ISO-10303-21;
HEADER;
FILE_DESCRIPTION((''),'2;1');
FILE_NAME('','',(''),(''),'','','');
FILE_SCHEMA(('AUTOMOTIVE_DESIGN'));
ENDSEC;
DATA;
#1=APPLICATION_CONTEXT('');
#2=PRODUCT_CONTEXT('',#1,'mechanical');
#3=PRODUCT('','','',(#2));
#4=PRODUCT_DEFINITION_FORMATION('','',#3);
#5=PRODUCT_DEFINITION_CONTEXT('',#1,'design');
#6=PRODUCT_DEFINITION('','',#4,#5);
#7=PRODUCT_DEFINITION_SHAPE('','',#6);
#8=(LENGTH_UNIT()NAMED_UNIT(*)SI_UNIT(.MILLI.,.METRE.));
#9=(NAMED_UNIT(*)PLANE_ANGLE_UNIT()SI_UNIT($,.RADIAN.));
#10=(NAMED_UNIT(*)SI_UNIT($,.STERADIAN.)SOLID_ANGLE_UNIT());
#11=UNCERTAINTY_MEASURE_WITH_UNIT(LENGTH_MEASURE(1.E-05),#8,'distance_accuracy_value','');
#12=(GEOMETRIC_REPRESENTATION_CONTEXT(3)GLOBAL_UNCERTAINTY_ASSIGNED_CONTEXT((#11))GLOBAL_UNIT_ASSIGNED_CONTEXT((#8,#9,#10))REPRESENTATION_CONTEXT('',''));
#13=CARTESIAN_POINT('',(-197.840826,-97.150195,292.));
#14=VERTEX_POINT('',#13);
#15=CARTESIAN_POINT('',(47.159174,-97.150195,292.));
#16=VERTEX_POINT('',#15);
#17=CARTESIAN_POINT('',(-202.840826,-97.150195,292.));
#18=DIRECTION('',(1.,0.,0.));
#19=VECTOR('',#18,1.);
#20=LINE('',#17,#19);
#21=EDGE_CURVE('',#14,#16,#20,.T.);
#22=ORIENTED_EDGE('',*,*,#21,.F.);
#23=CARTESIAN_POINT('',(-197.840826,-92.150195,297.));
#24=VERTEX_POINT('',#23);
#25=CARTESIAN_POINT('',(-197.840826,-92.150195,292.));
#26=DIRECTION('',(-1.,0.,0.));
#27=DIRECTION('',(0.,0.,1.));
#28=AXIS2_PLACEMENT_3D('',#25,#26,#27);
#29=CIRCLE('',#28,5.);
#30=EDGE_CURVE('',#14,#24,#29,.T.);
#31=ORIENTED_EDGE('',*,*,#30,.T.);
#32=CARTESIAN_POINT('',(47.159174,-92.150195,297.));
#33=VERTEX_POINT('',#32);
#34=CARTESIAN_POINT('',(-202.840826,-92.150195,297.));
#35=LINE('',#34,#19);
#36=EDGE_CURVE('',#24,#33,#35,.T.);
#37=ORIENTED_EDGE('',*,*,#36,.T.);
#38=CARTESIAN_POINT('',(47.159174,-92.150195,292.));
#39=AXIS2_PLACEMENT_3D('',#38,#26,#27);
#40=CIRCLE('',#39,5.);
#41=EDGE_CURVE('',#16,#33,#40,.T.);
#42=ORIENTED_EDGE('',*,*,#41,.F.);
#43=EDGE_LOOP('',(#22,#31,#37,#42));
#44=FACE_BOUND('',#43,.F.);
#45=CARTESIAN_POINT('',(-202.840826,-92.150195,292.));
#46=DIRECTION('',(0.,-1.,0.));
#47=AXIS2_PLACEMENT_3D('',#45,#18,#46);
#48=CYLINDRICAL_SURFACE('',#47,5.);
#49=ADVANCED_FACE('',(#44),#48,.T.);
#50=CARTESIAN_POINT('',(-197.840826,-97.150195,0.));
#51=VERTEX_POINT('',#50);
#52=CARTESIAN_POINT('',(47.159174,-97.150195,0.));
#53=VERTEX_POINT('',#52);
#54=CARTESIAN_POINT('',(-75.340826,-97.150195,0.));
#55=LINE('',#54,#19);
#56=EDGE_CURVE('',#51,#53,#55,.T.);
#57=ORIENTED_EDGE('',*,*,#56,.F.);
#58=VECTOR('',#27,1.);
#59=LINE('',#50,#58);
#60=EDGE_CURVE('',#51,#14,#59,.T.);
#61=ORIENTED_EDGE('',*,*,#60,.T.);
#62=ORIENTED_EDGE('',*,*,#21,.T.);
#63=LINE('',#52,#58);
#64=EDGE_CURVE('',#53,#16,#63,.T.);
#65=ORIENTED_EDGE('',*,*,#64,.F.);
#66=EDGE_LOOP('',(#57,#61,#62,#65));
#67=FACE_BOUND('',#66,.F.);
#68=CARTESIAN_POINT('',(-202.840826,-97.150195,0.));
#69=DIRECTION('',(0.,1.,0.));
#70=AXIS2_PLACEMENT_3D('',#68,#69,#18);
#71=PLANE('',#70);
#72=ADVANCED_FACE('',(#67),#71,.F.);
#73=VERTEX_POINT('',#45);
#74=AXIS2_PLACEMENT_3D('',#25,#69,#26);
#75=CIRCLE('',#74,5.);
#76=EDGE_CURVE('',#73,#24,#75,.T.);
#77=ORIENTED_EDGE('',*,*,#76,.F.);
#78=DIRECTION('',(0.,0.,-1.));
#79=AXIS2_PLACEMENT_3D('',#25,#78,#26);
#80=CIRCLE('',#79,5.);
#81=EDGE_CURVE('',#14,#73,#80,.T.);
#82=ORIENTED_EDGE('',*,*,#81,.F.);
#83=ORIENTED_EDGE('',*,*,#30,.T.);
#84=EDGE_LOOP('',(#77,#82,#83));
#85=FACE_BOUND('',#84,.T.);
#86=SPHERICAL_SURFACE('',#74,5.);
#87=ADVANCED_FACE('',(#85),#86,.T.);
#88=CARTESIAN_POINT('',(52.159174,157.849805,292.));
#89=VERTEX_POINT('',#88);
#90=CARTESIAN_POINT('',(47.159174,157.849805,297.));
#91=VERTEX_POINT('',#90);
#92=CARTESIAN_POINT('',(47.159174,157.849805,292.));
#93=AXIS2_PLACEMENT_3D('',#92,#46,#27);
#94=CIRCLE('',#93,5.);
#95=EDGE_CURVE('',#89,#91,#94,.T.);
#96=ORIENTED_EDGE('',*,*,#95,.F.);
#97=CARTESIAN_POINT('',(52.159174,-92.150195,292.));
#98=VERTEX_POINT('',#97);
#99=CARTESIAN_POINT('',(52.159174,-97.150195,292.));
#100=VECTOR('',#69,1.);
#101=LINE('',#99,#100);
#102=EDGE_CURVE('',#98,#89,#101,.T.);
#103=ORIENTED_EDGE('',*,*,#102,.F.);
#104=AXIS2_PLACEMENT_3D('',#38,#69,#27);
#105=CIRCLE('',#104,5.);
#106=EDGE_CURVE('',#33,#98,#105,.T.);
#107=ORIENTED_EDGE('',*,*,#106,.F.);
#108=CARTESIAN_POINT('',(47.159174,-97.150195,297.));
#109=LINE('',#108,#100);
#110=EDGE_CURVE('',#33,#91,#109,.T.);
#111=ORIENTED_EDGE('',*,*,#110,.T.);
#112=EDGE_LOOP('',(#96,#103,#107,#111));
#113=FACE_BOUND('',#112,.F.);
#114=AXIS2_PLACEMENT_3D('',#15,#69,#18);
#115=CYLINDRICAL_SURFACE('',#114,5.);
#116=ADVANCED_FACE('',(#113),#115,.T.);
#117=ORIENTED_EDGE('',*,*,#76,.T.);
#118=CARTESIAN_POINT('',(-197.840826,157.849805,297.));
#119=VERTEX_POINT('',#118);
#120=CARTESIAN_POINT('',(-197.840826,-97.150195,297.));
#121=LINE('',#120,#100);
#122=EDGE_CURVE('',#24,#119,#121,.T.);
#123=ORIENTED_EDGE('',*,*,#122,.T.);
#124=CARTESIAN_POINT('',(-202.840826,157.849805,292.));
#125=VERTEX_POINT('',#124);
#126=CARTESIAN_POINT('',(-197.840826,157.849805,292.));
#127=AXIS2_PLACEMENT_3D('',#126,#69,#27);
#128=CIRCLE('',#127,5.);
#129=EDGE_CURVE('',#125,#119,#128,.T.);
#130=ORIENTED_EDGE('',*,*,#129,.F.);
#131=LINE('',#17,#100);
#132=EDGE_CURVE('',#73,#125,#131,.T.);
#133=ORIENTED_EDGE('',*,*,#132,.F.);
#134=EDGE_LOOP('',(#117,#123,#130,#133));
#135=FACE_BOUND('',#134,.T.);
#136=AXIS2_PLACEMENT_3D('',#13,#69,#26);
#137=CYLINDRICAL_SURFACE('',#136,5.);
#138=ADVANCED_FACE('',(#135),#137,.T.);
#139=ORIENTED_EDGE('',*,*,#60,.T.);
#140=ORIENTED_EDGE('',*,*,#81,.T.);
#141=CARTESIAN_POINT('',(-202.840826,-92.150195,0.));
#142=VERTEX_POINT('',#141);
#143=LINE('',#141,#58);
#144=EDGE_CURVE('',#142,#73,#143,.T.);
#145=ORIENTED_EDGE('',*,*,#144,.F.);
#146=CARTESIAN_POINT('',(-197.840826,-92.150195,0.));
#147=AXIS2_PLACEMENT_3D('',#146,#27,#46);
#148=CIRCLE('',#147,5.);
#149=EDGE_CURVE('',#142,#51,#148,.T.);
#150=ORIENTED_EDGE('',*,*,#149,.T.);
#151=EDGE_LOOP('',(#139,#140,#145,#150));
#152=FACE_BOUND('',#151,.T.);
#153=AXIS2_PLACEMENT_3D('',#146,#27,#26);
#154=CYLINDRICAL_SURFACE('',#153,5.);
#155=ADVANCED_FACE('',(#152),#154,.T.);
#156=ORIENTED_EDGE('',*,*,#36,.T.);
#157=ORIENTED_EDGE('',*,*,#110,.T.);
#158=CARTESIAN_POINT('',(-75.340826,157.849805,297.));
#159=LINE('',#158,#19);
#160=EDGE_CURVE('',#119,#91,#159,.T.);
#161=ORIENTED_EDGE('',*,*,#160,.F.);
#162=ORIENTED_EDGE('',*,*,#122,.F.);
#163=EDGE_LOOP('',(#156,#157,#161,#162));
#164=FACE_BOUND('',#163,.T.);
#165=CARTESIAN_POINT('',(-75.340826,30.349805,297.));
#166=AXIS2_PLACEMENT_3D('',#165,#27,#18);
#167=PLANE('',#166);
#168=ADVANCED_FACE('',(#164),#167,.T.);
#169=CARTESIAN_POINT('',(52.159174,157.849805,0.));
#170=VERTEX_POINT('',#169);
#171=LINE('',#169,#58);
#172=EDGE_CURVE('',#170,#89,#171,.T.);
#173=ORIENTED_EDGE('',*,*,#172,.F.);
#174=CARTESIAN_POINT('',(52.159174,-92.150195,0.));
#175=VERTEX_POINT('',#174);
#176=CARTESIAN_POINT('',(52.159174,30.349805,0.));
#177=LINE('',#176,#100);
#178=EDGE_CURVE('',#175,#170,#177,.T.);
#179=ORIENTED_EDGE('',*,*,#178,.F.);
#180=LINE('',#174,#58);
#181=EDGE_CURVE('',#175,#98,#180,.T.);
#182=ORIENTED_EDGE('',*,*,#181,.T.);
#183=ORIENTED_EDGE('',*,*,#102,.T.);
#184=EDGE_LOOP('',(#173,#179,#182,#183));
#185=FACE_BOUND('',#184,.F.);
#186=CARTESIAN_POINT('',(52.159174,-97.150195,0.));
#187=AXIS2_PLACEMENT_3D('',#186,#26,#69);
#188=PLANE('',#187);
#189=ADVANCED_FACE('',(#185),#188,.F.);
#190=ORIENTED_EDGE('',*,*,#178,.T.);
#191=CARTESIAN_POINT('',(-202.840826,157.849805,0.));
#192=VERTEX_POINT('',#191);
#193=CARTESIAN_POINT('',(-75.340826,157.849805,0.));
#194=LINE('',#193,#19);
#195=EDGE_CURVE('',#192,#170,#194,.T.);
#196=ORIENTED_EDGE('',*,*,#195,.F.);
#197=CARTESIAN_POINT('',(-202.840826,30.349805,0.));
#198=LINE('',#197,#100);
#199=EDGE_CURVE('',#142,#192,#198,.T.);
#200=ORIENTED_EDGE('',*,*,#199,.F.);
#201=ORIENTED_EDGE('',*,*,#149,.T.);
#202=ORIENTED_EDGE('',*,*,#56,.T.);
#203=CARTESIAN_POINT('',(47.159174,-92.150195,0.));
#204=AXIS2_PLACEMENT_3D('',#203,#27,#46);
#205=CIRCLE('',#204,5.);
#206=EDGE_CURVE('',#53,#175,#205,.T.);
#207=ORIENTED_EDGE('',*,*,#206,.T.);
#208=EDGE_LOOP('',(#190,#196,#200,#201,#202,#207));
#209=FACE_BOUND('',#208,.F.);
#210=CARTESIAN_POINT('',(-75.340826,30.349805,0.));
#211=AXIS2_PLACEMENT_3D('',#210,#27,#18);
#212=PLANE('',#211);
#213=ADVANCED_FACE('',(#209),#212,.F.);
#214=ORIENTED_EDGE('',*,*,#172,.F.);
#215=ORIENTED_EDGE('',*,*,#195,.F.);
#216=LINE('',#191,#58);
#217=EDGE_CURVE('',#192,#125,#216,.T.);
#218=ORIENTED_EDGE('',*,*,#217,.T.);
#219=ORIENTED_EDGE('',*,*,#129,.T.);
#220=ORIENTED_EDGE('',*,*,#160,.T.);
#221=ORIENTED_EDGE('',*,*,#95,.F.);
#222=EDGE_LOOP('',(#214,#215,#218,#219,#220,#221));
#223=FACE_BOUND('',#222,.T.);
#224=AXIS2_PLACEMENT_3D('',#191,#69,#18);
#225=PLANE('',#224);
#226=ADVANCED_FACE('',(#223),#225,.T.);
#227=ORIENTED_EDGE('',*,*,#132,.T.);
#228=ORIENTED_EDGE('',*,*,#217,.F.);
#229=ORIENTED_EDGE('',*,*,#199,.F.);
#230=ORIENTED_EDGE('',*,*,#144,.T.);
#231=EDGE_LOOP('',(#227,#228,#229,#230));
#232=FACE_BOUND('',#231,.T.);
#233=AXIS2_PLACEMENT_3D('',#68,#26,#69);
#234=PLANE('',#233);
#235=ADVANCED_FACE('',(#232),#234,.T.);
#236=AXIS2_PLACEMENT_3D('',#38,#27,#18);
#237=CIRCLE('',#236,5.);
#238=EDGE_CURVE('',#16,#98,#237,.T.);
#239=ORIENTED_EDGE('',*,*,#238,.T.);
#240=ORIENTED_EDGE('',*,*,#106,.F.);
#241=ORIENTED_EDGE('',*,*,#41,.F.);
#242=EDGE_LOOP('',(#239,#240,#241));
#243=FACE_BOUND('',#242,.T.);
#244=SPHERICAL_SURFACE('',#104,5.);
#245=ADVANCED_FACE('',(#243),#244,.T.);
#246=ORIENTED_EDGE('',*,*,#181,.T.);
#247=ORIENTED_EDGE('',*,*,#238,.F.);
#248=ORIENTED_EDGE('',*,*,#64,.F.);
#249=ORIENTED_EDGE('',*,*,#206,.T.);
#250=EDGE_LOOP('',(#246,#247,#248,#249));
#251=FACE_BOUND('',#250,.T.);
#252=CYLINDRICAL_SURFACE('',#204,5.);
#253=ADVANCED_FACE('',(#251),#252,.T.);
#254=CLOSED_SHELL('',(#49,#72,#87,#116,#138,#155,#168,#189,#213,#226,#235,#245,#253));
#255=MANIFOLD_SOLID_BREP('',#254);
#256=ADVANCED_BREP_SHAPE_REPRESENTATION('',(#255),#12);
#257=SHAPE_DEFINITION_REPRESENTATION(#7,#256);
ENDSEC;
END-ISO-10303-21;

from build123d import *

# Parameters (mm, degrees)
F0_W     = 255
F0_H     = 255
F1_DEPTH = 297
F2_R     = 5


with BuildPart() as f1:
    # F0 (on Top) → F1 (new body)
    with BuildSketch(Plane.XY):
        with Locations((-75.340826, 30.349805)):
            Rectangle(F0_W, F0_H)
    extrude(amount=F1_DEPTH)

    # F2
    f2_edges = [f1.edges().sort_by_distance(p)[0] for p in [
        (52.159174, 30.349805, 297),
        (-202.840826, 30.349805, 297),
        (-202.840826, -97.150195, 148.5),
        (-75.340826, -97.150195, 297),
        (52.159174, -97.150195, 148.5),
    ]]
    fillet(f2_edges, radius=F2_R)


solid = f1.part
